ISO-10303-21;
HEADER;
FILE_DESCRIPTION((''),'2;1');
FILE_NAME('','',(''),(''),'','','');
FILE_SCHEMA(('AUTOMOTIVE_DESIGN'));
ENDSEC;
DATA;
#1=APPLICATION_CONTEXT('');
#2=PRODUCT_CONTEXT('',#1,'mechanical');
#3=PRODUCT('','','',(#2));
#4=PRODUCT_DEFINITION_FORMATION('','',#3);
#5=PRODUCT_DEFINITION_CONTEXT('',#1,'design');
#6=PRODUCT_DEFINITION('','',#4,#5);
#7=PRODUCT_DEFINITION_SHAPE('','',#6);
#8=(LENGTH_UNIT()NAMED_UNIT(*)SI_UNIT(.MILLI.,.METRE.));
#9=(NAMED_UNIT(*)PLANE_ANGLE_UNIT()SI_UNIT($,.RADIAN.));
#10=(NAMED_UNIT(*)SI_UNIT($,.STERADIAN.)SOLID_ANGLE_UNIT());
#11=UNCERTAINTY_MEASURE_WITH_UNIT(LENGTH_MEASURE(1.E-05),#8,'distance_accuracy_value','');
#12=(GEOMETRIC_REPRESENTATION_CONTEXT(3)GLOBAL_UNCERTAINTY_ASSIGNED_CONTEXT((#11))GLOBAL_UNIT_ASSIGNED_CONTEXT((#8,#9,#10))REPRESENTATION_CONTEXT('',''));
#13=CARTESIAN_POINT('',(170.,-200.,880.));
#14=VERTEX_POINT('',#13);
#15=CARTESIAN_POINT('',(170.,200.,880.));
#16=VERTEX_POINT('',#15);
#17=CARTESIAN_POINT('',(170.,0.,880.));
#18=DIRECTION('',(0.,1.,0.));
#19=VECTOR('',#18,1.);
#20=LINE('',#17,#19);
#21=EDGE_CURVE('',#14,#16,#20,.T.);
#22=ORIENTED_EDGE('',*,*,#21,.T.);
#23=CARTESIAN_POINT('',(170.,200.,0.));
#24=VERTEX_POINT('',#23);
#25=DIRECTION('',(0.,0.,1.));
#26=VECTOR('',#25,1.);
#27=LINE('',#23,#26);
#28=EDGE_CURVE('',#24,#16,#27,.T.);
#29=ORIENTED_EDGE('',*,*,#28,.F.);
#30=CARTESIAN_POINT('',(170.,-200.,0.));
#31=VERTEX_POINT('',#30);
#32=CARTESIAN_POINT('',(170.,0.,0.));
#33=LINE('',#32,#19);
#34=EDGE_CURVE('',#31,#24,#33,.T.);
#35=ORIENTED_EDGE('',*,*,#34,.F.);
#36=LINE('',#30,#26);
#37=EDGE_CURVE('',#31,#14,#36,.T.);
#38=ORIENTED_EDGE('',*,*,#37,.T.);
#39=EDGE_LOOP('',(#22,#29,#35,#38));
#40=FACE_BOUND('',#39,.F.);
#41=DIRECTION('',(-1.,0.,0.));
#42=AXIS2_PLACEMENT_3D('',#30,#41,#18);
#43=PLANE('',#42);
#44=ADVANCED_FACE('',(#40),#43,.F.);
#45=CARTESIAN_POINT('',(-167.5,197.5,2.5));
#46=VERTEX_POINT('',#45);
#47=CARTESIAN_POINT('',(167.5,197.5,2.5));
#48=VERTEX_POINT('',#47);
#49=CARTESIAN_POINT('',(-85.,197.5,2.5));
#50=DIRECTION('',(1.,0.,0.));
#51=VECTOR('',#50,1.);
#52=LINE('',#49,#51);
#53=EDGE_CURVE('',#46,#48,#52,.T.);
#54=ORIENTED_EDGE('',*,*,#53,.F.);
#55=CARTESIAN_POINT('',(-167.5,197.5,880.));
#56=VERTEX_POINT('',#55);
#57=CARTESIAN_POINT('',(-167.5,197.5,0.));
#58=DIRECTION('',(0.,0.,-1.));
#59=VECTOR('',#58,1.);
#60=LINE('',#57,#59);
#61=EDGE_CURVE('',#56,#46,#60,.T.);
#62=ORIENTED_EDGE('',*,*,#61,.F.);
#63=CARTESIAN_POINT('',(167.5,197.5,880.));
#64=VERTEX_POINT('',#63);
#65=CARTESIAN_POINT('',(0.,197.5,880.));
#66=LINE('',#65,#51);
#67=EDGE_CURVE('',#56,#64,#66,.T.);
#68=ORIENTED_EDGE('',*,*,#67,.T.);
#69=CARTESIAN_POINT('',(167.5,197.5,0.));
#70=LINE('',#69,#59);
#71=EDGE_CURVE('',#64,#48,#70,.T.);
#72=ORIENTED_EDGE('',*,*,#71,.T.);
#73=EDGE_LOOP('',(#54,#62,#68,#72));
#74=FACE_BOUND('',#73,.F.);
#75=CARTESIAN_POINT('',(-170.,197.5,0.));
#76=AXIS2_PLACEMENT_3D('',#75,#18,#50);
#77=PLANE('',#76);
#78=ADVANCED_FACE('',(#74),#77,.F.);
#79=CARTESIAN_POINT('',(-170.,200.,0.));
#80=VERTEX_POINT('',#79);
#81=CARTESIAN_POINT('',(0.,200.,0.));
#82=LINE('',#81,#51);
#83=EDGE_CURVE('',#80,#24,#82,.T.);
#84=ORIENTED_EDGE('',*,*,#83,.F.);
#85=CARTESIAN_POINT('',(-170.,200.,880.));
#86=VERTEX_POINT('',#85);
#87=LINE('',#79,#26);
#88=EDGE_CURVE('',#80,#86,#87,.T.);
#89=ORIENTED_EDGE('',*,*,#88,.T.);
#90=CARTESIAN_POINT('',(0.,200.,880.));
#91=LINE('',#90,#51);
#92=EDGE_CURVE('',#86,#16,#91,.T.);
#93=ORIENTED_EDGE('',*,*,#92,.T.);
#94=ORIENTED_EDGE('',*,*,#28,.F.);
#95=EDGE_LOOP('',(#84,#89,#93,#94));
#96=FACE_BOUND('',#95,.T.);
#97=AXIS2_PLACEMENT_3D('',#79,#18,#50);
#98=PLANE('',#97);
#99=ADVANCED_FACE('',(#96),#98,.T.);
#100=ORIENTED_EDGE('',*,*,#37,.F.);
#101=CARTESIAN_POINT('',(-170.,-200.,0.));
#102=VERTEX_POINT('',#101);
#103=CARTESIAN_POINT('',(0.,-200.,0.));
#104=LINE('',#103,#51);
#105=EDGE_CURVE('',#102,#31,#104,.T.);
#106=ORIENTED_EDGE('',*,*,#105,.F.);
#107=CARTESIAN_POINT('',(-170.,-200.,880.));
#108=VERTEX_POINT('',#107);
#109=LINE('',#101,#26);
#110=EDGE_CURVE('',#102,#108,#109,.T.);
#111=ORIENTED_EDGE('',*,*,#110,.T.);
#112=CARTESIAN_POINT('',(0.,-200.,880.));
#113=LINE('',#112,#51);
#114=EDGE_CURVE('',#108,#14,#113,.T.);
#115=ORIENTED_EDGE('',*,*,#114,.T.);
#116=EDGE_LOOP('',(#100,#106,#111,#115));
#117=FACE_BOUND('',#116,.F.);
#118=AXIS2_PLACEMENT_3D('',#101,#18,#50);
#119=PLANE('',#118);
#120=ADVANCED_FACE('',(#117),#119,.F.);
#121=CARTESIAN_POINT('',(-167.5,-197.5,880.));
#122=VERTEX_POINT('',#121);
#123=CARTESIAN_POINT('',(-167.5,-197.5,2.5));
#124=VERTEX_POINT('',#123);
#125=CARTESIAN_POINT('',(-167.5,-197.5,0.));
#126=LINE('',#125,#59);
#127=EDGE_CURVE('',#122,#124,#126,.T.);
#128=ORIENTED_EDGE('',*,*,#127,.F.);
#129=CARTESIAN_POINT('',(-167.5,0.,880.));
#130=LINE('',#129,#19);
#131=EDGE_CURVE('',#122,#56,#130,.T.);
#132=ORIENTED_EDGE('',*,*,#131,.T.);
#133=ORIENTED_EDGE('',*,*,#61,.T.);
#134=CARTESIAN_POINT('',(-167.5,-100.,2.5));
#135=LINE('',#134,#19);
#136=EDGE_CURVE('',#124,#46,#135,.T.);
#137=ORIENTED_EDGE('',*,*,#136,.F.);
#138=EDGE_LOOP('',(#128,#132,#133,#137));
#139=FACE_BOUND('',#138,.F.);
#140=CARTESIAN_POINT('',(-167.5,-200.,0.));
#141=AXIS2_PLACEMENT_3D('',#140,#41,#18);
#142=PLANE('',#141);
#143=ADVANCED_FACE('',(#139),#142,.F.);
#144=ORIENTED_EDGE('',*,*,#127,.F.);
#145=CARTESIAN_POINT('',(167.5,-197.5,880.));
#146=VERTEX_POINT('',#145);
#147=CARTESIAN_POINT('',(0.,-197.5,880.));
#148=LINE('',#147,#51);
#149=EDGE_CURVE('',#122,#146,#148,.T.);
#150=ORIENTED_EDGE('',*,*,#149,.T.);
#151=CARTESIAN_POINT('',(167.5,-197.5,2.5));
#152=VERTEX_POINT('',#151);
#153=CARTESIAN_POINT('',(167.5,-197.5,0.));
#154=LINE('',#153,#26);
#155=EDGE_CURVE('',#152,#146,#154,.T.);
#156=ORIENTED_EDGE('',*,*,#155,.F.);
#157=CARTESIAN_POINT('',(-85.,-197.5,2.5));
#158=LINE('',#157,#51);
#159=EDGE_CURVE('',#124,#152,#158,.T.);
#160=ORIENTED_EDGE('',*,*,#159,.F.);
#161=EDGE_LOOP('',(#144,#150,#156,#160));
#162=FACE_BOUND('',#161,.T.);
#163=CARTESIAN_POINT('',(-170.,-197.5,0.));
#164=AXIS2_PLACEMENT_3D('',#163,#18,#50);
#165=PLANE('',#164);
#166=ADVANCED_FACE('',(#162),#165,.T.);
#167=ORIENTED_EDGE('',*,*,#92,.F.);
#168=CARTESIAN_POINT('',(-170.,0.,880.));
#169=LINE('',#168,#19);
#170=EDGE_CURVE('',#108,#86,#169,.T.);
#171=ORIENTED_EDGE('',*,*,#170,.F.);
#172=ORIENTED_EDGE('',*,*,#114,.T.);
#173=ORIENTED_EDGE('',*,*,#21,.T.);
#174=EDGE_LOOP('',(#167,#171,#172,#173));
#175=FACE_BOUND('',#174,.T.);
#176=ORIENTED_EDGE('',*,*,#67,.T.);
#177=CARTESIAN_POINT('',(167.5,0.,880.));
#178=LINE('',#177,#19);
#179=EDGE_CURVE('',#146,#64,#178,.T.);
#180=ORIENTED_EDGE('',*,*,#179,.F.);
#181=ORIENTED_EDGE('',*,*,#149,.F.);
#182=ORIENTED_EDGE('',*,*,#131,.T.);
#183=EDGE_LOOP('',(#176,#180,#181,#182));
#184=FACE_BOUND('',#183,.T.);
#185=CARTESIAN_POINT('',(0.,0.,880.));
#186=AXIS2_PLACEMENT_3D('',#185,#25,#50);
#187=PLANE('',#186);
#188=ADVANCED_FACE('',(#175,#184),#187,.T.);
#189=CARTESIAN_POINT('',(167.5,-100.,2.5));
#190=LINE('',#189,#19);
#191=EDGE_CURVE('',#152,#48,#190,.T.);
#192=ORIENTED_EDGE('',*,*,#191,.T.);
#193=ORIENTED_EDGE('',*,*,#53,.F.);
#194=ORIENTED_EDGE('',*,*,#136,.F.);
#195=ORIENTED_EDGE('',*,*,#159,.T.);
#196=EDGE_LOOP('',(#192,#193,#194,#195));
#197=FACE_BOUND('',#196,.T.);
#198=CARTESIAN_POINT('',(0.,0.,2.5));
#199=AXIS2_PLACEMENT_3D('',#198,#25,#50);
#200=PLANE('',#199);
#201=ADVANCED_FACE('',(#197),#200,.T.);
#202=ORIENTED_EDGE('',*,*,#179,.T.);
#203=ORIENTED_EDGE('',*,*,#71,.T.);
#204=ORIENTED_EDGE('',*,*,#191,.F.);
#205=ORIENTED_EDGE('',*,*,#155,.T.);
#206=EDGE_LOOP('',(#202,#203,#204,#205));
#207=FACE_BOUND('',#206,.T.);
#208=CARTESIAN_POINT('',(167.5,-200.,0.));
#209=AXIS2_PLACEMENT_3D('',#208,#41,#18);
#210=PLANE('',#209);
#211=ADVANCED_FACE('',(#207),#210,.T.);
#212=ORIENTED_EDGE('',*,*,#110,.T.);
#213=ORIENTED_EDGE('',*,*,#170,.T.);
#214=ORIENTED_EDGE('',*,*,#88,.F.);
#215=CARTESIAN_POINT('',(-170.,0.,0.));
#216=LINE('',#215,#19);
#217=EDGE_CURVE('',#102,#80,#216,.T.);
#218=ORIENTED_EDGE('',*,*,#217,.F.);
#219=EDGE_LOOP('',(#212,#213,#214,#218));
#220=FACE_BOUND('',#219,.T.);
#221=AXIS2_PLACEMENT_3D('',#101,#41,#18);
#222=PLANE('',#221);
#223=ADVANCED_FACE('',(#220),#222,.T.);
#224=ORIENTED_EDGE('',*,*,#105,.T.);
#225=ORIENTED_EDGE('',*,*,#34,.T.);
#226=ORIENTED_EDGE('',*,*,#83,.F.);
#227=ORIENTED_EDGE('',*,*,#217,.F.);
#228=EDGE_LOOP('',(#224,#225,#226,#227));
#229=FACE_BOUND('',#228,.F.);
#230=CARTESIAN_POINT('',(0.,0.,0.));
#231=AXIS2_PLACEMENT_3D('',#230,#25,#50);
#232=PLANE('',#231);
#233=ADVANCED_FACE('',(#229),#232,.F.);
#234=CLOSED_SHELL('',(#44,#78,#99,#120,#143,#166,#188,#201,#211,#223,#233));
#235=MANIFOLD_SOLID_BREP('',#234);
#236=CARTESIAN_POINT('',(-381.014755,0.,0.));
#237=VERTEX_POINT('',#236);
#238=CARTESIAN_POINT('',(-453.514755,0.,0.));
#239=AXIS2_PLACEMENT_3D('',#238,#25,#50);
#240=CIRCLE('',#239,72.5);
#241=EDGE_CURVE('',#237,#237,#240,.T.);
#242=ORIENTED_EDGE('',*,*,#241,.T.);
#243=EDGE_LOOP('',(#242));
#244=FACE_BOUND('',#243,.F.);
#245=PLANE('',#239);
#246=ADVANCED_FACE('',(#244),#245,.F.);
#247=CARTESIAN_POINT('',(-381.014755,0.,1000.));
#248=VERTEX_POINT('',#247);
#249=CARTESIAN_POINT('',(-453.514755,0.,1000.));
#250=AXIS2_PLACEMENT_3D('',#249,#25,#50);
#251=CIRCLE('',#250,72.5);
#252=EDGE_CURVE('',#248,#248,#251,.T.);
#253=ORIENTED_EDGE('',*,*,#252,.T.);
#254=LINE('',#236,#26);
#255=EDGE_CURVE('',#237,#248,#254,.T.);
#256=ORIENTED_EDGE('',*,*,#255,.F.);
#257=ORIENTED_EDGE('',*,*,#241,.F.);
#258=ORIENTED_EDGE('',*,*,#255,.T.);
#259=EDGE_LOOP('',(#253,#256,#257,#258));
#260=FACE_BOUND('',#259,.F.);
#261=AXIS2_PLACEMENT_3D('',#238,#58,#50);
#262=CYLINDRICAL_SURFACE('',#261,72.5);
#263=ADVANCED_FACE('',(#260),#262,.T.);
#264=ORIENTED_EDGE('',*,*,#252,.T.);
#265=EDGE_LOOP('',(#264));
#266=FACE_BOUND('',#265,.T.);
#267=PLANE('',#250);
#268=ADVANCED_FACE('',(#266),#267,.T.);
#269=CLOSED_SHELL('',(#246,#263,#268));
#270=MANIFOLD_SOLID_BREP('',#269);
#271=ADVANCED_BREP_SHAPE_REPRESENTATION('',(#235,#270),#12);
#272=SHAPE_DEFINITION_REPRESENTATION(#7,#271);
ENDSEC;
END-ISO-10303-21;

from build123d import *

# Parameters (mm, degrees)
F0_W     = 340
F0_H     = 400
F1_DEPTH = 880
F2_T     = -2.5
F3_R     = 72.5
F4_DEPTH = 1000


with BuildPart() as f1:
    # F0 (on Top) → F1 (new body)
    with BuildSketch(Plane.XY):
        Rectangle(F0_W, F0_H)
    extrude(amount=F1_DEPTH)

    # F2
    f2_openings = [f1.faces().sort_by_distance(p)[0] for p in [
        (0, 0, 880),
    ]]
    offset(amount=F2_T, openings=f2_openings)


with BuildPart() as f4:
    # F3 (on face) → F4 (new body)
    with BuildSketch(Plane.XY):
        with Locations((-453.514755, 0)):
            Circle(F3_R)
    extrude(amount=F4_DEPTH)


solid = Compound([f1.part, f4.part])
